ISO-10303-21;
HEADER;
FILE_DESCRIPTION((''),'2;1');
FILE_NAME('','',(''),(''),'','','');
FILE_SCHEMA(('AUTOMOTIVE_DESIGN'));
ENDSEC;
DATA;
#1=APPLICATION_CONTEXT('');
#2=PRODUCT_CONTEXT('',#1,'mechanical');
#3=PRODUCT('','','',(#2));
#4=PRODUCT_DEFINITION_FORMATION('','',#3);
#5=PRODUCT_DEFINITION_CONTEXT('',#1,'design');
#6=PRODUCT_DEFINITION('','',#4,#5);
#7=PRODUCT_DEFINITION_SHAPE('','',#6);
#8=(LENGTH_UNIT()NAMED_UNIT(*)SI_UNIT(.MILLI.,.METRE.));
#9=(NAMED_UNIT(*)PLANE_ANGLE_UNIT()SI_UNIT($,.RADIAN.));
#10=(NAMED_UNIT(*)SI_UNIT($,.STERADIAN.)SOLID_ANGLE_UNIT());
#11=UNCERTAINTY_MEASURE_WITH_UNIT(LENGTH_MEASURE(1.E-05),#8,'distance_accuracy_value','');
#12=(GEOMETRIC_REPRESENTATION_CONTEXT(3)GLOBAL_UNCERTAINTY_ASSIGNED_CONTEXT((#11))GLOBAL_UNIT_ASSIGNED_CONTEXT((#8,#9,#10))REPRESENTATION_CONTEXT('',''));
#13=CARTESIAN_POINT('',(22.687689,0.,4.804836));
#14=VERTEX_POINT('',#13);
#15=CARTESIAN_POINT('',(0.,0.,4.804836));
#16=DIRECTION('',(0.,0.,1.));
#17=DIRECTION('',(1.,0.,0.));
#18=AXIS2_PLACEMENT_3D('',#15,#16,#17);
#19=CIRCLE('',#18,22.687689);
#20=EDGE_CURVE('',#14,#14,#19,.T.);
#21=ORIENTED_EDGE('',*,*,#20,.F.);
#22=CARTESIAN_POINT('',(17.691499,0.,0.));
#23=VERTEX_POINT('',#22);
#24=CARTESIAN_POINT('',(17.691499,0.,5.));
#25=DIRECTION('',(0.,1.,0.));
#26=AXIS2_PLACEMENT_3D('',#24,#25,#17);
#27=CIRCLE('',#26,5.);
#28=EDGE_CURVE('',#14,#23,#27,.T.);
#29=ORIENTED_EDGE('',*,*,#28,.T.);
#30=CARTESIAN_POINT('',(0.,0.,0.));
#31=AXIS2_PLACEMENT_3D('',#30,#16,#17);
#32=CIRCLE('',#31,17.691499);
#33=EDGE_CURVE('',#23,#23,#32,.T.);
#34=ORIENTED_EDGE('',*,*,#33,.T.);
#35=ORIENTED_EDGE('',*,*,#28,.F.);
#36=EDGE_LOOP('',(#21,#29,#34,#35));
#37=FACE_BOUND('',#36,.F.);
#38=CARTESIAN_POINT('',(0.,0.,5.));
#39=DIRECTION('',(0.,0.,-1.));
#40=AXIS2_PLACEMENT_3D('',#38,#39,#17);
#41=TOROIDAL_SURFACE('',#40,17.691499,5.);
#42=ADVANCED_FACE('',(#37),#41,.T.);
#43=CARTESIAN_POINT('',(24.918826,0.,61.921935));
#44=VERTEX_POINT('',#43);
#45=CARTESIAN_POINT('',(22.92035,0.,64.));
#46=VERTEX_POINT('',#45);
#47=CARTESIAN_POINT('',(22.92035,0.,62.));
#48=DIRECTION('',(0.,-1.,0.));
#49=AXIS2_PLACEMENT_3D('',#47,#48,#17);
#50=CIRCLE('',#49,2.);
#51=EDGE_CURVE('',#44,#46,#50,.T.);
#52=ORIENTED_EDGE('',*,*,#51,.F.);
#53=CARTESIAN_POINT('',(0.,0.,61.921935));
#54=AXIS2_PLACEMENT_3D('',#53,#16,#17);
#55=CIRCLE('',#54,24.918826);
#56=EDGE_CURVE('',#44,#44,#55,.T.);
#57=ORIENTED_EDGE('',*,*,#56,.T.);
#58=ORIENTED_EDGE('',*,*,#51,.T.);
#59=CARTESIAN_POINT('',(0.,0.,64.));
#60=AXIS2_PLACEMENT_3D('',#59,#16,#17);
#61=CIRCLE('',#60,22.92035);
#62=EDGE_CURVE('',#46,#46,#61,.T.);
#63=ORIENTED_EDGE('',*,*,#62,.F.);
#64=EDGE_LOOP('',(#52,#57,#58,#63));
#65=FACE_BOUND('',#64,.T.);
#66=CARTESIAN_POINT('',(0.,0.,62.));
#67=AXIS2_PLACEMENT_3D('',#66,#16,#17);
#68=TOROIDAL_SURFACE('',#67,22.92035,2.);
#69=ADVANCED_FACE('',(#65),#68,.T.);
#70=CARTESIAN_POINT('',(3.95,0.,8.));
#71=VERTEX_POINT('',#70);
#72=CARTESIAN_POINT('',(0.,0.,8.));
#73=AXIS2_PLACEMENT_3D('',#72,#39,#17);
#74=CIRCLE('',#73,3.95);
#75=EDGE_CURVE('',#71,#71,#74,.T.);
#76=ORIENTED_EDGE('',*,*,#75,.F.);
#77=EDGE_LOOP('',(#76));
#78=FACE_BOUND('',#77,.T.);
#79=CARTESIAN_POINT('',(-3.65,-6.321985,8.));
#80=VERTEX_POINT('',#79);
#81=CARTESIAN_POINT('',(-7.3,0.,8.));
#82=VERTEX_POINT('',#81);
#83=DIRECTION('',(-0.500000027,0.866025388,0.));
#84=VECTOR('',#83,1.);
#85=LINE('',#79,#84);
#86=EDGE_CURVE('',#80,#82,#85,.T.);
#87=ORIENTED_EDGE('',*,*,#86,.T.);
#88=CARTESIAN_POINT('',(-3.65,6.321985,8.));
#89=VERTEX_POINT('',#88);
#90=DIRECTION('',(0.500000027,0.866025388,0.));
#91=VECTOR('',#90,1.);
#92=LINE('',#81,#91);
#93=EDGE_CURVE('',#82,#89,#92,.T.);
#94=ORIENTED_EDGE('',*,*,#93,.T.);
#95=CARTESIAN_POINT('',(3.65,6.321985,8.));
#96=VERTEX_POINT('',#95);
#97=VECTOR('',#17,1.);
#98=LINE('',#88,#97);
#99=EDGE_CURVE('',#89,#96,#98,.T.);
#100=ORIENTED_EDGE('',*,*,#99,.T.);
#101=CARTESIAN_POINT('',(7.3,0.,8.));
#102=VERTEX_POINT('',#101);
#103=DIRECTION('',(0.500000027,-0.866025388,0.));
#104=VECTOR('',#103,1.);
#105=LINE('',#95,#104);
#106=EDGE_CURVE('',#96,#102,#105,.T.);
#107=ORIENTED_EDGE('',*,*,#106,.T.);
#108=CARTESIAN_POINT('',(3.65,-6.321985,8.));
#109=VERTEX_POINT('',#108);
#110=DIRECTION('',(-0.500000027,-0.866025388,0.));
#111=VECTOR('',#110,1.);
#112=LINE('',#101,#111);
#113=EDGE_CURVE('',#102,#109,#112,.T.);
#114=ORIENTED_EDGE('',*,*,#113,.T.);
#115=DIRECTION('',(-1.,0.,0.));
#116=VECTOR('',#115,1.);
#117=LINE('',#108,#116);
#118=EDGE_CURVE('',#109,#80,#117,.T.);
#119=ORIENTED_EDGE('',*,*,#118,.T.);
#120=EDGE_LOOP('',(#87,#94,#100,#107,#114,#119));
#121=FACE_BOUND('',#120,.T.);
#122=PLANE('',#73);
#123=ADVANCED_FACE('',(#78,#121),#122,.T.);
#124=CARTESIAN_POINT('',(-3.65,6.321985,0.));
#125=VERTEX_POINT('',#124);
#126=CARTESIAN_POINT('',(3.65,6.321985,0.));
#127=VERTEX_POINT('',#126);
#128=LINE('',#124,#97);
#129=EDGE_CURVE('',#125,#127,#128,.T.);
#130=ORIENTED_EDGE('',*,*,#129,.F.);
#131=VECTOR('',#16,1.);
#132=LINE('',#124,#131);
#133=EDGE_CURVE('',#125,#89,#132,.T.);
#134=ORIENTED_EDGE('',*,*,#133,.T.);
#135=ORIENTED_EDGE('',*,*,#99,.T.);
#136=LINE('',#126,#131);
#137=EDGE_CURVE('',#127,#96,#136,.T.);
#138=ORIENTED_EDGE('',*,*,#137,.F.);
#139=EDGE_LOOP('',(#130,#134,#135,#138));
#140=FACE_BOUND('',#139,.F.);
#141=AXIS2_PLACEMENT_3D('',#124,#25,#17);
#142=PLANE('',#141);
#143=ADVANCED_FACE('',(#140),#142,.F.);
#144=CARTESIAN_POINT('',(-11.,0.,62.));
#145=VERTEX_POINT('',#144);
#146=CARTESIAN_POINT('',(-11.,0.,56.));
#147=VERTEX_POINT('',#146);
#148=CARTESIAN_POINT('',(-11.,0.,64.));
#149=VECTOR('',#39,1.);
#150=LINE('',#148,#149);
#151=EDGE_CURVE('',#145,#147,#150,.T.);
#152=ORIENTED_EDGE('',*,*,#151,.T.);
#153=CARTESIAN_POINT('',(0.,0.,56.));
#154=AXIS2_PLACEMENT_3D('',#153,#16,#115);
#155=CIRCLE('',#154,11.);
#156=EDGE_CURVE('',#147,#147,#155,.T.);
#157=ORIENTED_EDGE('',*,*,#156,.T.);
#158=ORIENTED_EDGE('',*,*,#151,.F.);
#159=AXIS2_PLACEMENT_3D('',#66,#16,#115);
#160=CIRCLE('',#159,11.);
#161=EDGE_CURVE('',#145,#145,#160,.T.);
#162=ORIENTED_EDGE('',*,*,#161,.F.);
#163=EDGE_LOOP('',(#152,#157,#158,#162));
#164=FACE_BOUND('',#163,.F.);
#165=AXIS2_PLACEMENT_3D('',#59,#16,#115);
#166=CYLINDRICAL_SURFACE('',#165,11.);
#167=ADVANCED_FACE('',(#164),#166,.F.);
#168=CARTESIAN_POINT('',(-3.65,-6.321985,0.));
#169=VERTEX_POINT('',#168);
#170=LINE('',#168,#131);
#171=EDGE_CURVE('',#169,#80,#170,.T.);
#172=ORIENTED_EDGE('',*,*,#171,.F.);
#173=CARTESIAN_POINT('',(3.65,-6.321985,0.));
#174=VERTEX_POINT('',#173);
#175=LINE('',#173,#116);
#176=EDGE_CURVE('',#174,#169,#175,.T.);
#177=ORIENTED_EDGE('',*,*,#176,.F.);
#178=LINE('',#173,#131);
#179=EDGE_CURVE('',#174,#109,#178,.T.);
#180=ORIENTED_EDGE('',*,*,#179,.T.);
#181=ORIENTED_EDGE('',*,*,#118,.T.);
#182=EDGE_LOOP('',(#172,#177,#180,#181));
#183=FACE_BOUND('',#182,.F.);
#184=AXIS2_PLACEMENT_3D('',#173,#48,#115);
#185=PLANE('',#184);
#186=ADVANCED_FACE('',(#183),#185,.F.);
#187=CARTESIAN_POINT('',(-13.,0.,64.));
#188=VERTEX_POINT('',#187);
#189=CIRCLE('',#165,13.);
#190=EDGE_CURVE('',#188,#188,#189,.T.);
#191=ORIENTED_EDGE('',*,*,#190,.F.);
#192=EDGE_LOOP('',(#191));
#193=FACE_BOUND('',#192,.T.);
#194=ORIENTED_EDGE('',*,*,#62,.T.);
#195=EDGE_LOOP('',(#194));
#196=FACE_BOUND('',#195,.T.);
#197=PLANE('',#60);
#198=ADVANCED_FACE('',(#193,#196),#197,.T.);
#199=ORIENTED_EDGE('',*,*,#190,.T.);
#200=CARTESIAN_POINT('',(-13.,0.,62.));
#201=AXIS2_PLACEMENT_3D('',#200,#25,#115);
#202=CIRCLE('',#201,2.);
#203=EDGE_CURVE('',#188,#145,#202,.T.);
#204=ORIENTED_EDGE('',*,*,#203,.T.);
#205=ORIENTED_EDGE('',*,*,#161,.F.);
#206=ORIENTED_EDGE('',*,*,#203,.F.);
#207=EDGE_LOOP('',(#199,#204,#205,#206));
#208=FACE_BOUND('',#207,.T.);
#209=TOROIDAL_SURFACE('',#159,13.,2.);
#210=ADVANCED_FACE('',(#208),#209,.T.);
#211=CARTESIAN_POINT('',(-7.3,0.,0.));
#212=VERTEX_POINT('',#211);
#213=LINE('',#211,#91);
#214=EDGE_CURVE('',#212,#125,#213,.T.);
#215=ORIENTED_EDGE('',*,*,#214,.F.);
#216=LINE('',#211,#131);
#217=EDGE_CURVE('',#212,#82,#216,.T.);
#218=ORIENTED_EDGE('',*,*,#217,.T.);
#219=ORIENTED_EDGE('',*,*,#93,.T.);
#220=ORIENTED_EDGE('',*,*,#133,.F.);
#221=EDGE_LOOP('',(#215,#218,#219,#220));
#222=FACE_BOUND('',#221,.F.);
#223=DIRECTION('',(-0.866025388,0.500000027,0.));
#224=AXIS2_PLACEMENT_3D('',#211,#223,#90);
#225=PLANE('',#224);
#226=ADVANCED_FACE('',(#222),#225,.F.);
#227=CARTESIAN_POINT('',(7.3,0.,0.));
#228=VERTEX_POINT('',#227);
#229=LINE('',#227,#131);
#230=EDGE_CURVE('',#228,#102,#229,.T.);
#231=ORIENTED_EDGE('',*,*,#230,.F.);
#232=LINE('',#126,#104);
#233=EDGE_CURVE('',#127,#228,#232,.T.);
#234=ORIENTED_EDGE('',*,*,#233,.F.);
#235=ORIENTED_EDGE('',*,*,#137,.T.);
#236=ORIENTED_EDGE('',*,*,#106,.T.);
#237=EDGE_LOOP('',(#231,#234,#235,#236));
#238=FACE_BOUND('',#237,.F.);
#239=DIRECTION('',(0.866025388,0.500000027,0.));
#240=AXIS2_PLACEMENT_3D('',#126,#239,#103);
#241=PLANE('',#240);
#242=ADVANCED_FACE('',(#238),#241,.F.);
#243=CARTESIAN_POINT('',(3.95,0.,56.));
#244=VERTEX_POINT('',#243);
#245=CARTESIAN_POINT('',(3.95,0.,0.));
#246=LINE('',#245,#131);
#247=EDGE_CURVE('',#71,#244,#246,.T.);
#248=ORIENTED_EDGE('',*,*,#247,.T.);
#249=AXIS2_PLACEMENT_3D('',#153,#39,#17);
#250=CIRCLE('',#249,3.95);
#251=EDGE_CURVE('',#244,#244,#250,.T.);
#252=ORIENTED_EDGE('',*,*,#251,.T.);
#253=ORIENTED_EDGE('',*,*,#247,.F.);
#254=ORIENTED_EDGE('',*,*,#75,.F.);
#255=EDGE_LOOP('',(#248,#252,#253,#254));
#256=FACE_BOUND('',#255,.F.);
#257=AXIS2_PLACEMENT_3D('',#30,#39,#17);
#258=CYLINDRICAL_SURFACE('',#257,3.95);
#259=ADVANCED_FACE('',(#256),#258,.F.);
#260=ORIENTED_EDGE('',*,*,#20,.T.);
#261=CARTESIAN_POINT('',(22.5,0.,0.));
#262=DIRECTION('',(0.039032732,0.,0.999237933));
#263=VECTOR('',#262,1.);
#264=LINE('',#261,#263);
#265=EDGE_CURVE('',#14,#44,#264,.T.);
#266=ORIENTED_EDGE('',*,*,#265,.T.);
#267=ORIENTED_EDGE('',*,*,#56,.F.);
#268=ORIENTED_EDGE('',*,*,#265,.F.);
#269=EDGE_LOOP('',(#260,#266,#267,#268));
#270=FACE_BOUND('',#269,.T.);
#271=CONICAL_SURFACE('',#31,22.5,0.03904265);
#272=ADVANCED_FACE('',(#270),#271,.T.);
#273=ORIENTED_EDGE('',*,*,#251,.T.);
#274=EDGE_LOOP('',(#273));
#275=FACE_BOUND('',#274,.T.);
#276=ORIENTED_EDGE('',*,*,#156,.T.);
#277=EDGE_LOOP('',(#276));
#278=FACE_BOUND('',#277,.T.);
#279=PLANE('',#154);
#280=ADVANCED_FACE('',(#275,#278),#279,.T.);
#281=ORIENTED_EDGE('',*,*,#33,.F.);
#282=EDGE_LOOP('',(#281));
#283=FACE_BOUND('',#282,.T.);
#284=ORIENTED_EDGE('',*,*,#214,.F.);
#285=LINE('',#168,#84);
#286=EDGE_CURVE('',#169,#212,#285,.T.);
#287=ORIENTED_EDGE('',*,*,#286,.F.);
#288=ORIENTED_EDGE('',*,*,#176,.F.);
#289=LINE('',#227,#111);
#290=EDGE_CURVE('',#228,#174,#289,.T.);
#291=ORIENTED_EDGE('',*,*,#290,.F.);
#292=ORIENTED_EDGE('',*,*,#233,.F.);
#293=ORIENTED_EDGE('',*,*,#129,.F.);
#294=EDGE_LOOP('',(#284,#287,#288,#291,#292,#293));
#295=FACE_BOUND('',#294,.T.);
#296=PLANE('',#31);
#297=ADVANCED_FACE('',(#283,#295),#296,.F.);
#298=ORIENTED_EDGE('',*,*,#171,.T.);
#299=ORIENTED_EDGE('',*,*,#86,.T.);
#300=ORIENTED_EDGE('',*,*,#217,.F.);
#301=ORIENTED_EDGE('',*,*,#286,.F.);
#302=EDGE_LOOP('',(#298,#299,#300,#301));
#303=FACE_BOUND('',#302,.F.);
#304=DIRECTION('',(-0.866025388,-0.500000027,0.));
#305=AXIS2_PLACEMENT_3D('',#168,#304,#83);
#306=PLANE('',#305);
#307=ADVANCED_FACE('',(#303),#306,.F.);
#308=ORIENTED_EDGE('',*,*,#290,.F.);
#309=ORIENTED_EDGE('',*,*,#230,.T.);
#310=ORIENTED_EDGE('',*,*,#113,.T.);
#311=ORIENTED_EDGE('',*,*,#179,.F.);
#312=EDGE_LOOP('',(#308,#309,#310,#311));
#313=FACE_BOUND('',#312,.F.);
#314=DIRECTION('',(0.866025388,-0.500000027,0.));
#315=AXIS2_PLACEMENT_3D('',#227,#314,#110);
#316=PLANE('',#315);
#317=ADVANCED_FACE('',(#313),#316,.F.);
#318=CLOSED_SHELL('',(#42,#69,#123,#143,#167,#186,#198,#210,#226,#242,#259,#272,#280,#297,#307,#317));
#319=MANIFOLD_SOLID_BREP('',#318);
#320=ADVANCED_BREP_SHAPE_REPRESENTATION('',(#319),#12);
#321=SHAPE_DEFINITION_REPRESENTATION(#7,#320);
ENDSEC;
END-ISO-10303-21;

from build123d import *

# Parameters (mm, degrees)
POCKET_DEPTH    = 8
SKETCH003_R     = 3.95
POCKET001_DEPTH = 64.001
SKETCH004_R     = 11
POCKET002_DEPTH = 8
FILLET_R        = 2
FILLET001_R     = 5


with BuildPart() as part:
    # Sketch → Revolution (revolve)
    with BuildSketch(Plane.XZ):
        Polygon((0, 0), (22.5, 0), (25, 64), (0, 64), align=None)
    revolve(axis=Axis((0, 0, 0), (0, 0, 1)))

    # Sketch002 (on Face1 of Revolution) → Pocket (cut)
    with BuildSketch(Plane(origin=(0, 0, 0), x_dir=(1, 0, 0), z_dir=(0, 0, -1))):
        Polygon((7.3, 0), (3.65, 6.321985), (-3.65, 6.321985), (-7.3, 0), (-3.65, -6.321985), (3.65, -6.321985), align=None)
    extrude(amount=-POCKET_DEPTH, mode=Mode.SUBTRACT)

    # Sketch003 (on Face1 of Pocket) → Pocket001 (cut, through all)
    with BuildSketch(Plane(origin=(0, 0, 0), x_dir=(1, 0, 0), z_dir=(0, 0, -1))):
        Circle(SKETCH003_R)
    extrude(amount=-POCKET001_DEPTH, mode=Mode.SUBTRACT)

    # Sketch004 (on Face9 of Pocket001) → Pocket002 (cut)
    with BuildSketch(Plane(origin=(0, 0, 64), x_dir=(-1, 0, 0), z_dir=(0, 0, 1))):
        Circle(SKETCH004_R)
    extrude(amount=-POCKET002_DEPTH, mode=Mode.SUBTRACT)

    # Fillet
    fillet_edges = [part.edges().sort_by_distance(p)[0] for p in [
        (-25, 0, 64),
        (11, 0, 64),
    ]]
    fillet(fillet_edges, radius=FILLET_R)

    # Fillet001
    fillet001_edges = [part.edges().sort_by_distance(p)[0] for p in [
        (-22.5, 0, 0),
    ]]
    fillet(fillet001_edges, radius=FILLET001_R)


solid = part.part
